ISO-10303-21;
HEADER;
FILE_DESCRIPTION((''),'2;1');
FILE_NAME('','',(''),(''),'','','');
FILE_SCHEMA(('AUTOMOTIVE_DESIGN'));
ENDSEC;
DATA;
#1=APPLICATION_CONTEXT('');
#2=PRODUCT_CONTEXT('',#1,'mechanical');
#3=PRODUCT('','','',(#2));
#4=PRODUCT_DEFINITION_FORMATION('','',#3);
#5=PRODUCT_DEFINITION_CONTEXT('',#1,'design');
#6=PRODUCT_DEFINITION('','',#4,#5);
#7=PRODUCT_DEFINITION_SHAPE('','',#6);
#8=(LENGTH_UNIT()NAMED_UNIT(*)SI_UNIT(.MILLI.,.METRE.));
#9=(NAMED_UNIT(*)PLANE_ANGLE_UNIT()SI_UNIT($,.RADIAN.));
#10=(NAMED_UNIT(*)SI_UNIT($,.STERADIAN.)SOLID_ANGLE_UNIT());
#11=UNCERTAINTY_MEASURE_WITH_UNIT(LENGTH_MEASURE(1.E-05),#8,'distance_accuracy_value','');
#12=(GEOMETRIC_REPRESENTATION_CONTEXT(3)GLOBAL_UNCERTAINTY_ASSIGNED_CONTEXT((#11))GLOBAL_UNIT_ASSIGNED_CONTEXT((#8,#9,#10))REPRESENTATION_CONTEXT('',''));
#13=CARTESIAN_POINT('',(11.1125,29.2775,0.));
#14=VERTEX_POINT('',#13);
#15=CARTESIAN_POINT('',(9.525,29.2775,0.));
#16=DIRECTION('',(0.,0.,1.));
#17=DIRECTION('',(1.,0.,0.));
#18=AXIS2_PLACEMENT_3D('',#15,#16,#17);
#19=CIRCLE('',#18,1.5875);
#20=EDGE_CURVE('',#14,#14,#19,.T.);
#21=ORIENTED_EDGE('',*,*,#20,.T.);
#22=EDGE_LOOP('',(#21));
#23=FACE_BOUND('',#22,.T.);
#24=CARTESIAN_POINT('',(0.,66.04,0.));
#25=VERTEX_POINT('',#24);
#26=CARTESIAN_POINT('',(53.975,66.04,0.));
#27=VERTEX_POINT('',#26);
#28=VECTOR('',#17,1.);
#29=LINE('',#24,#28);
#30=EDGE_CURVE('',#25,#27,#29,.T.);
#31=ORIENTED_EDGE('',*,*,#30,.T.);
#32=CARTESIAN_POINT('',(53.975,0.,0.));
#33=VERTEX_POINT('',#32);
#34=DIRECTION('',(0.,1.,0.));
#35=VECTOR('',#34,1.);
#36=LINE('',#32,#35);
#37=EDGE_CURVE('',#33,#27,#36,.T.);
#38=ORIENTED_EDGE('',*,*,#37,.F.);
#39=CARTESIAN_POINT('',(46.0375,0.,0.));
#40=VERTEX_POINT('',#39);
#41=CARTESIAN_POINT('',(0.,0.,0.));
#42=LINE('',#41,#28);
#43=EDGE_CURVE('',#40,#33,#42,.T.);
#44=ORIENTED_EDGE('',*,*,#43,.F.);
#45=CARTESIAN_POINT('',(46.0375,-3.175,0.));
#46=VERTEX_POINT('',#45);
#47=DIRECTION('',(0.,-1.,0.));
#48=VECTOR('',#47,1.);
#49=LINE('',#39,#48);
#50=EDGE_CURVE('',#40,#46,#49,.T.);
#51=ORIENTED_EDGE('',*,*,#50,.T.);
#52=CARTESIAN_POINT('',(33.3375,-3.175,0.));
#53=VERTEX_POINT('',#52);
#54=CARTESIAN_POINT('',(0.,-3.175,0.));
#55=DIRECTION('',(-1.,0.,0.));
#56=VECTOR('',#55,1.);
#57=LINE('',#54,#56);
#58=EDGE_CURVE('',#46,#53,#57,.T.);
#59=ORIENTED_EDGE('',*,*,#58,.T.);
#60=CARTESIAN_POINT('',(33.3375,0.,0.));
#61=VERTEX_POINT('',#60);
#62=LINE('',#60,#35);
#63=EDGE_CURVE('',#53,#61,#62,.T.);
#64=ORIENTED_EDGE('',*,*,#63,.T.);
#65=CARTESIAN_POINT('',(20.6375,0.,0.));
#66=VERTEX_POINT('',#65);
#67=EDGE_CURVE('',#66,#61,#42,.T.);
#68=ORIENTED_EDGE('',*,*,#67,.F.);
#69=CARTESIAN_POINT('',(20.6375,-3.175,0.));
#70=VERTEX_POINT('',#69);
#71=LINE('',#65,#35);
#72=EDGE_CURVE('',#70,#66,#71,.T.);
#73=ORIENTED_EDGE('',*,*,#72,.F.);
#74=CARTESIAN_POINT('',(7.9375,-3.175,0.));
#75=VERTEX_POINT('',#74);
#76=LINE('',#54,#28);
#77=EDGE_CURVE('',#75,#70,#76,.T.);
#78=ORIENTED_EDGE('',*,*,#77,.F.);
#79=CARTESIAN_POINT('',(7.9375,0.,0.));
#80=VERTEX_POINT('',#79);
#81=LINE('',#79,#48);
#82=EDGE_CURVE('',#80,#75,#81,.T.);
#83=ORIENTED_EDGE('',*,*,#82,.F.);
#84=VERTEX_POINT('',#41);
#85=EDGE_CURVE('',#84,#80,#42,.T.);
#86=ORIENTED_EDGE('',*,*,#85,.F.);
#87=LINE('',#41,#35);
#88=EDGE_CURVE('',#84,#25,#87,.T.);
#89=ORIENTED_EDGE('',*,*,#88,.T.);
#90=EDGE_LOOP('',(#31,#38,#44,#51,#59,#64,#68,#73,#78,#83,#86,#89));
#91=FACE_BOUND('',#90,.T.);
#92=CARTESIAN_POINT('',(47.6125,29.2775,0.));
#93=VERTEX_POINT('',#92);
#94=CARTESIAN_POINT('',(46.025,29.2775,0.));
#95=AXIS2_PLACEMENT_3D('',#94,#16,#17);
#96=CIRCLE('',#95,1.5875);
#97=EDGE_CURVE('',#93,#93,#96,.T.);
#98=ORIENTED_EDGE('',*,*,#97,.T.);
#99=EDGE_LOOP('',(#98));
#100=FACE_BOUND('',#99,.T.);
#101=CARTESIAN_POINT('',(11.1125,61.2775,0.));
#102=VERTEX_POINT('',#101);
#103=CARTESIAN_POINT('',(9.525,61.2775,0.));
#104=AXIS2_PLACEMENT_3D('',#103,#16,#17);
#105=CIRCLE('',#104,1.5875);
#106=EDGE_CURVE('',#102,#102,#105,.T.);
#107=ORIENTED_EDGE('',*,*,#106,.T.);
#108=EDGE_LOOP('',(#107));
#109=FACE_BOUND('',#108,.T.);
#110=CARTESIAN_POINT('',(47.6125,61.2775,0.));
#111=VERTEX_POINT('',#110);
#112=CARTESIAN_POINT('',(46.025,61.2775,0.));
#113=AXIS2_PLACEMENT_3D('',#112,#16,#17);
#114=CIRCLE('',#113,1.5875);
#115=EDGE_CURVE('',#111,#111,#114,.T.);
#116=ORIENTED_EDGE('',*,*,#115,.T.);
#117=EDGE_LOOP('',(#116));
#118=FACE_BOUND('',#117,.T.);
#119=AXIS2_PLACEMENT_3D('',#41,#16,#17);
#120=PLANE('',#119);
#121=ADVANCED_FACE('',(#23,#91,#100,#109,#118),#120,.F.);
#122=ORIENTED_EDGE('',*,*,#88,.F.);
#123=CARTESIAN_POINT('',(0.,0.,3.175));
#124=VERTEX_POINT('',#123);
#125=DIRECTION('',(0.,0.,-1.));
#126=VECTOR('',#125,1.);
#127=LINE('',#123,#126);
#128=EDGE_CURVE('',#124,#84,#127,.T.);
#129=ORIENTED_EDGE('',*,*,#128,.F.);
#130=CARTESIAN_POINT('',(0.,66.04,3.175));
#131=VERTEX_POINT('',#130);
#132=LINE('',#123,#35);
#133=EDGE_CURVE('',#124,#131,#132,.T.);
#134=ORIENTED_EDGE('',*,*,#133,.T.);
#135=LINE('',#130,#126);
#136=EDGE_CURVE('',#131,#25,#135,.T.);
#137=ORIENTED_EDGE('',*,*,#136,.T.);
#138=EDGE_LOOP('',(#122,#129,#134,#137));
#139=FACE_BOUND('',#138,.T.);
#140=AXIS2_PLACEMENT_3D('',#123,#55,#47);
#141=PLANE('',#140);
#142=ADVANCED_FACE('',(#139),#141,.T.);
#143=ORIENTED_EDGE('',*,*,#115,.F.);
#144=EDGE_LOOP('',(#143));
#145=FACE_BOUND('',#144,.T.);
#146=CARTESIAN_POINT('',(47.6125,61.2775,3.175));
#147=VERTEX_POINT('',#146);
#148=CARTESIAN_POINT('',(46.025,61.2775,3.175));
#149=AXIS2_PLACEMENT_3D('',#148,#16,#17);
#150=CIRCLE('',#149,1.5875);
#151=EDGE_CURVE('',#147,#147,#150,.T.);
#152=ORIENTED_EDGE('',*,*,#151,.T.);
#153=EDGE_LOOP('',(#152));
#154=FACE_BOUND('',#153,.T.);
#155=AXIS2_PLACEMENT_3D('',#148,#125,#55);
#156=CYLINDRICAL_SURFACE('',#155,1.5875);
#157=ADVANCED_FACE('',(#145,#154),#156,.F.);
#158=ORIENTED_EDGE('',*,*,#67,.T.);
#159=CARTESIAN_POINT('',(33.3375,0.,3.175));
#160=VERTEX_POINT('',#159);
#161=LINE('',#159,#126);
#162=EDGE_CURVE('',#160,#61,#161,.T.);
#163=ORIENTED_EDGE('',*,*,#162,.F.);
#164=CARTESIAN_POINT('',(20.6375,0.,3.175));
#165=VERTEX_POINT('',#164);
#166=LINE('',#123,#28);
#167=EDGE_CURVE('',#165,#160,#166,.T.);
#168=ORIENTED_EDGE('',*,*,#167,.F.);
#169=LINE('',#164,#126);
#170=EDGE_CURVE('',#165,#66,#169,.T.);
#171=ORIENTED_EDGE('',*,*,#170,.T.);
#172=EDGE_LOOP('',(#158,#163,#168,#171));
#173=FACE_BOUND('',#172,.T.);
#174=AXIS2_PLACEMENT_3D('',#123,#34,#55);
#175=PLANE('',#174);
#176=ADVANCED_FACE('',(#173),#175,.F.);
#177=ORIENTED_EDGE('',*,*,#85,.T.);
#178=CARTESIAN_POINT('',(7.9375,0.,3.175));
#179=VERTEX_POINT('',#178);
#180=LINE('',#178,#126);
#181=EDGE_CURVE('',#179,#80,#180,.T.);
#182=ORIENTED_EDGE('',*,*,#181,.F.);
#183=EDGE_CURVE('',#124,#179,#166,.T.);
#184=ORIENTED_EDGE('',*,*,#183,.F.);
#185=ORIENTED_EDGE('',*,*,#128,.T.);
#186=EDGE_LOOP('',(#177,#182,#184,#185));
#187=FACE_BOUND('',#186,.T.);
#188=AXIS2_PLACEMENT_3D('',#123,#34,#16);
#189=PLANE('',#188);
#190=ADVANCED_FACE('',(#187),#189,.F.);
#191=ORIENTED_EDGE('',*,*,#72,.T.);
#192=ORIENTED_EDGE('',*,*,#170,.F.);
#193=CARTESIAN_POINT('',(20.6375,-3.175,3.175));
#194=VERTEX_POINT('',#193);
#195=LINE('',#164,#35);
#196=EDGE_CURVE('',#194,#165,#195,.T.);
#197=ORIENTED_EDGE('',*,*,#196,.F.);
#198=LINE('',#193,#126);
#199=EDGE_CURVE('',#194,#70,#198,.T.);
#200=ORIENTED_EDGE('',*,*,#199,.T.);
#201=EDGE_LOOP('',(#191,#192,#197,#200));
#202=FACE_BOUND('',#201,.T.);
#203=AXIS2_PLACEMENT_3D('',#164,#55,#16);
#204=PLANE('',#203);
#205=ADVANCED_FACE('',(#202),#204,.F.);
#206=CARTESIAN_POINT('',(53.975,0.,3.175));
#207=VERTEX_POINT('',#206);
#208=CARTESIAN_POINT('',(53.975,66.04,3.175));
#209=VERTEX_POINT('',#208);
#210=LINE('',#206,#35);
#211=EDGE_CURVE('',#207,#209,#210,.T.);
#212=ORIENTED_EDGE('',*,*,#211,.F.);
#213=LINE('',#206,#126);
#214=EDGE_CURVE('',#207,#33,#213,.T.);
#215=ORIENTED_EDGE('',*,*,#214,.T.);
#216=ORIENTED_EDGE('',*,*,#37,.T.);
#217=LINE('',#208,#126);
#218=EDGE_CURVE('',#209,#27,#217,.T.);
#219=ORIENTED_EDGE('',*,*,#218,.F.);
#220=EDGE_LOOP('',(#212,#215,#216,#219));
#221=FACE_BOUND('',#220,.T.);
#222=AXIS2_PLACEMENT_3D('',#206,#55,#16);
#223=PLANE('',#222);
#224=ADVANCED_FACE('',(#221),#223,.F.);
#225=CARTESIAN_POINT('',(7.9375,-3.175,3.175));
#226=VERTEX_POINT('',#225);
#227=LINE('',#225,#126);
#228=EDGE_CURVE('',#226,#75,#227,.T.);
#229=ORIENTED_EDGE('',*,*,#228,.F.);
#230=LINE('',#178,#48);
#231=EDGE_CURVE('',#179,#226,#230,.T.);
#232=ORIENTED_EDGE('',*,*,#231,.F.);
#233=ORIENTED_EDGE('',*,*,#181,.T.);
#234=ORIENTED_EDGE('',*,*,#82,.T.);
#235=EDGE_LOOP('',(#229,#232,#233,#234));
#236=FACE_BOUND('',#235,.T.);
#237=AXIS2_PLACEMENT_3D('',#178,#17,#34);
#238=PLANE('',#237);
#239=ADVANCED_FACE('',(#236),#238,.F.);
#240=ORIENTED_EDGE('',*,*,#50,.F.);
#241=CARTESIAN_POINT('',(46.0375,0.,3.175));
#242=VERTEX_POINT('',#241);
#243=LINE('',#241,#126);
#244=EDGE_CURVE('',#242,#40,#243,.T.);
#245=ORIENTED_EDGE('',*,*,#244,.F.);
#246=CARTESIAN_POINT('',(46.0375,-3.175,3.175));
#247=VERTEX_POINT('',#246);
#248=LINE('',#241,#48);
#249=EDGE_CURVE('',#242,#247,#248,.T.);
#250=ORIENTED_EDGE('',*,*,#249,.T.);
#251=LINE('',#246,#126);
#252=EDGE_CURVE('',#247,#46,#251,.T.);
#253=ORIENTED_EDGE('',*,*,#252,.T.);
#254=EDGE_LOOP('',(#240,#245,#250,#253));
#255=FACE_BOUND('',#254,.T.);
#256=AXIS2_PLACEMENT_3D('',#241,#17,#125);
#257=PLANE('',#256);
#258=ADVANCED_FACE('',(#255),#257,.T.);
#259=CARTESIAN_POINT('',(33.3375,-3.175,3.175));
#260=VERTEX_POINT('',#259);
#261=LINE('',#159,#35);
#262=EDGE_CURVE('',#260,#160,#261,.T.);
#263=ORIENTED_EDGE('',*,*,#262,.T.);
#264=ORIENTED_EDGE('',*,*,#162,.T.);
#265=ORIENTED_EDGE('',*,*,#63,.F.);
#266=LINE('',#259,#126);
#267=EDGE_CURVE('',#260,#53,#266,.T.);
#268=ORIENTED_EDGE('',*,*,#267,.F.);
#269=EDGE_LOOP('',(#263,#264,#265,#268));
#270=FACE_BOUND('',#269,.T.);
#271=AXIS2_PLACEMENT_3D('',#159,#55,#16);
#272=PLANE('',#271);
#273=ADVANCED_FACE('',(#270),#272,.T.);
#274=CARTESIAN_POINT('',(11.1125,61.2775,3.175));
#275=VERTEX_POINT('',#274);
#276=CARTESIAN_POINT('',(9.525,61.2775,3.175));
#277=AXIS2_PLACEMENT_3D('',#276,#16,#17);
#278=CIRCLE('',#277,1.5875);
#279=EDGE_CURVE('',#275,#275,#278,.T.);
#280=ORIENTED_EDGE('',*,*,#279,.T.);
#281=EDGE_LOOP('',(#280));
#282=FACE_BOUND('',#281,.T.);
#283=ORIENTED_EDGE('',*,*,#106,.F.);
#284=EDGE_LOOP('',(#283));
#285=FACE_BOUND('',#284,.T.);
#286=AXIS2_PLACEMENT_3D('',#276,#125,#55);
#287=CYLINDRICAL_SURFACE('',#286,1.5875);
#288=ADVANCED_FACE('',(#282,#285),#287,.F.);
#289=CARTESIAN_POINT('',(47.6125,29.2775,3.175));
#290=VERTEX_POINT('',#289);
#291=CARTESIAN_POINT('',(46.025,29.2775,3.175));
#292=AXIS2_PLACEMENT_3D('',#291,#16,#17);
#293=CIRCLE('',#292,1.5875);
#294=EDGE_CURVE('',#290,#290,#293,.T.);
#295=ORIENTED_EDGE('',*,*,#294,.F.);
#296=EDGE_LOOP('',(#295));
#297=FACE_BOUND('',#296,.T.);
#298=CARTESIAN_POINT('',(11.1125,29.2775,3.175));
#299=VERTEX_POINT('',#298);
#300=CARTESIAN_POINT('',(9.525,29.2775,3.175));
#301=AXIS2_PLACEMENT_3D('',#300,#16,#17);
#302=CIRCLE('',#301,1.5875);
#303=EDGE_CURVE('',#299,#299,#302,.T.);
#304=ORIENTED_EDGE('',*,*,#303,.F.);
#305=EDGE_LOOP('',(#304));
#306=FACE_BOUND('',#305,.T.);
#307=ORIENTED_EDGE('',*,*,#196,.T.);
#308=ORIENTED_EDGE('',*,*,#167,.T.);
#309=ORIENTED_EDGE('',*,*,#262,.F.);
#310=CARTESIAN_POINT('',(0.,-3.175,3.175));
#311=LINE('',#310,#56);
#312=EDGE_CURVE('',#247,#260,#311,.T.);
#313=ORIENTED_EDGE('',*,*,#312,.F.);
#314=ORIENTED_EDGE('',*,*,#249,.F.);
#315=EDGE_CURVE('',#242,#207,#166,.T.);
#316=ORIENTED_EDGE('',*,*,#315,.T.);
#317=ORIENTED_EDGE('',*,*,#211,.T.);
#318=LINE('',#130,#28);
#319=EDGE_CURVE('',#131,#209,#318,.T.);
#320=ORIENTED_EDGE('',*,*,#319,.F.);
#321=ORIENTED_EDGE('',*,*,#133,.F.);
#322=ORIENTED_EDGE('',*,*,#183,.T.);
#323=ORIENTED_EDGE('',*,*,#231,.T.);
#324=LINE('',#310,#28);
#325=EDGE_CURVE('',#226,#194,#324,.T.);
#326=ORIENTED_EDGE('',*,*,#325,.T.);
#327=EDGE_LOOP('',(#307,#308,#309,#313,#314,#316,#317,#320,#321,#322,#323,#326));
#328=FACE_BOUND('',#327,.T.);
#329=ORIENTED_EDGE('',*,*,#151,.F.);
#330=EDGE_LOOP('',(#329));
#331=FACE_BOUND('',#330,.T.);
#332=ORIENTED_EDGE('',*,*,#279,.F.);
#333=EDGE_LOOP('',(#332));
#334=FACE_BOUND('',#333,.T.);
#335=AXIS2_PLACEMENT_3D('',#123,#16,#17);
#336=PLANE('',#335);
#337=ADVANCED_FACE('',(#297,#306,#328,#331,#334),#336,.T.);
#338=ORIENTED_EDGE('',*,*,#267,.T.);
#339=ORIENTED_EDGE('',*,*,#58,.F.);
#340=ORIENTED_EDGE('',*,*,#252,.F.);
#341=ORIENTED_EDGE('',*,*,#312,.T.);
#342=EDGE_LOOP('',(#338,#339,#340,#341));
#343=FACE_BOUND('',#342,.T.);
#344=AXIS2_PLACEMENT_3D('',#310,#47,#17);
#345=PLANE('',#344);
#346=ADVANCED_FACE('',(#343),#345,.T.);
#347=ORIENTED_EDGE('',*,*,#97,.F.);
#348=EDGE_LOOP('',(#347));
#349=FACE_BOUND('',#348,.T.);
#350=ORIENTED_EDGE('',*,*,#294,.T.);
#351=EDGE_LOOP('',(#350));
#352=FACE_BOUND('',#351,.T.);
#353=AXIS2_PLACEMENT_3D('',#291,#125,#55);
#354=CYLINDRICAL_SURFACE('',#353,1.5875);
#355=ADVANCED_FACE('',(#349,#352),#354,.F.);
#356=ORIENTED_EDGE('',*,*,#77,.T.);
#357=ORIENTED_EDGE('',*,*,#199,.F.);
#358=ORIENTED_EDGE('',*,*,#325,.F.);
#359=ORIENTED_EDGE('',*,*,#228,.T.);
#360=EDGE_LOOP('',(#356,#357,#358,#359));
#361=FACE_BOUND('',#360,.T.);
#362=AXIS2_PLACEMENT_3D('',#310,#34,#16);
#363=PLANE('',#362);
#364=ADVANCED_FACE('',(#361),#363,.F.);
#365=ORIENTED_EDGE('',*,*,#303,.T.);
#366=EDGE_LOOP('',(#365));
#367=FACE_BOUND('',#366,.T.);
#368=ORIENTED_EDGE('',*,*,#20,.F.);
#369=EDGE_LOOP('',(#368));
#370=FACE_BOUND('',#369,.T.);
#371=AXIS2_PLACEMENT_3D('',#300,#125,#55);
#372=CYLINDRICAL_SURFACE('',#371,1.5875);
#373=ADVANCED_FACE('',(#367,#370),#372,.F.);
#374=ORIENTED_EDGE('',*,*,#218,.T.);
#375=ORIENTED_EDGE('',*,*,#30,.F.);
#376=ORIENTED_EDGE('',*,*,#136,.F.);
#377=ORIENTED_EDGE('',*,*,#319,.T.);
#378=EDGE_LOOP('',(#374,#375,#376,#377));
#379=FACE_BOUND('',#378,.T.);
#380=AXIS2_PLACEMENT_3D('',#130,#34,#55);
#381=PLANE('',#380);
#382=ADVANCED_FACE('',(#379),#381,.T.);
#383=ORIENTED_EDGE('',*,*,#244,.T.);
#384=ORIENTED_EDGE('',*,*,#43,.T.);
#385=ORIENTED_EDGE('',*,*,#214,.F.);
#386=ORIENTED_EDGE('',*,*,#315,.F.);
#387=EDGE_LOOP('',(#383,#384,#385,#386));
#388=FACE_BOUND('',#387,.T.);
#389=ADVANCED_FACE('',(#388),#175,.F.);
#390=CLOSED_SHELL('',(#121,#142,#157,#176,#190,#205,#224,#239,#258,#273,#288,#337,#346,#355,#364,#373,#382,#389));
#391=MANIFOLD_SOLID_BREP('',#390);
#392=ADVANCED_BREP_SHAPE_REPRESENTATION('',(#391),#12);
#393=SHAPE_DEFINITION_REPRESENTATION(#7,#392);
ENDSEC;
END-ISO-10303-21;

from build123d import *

# Parameters (mm, degrees)
SKETCH1_R           = 1.5875
BOSS_EXTRUDE1_DEPTH = 3.175


with BuildPart() as part:
    # Sketch1 → Boss-Extrude1 (new body)
    with BuildSketch(Plane.XY):
        Polygon((53.975, 66.04), (9.525, 66.04), (0, 66.04), (0, 0), (7.9375, 0), (7.9375, -3.175), (20.6375, -3.175), (20.6375, 0), (33.3375, 0), (33.3375, -3.175), (46.0375, -3.175), (46.0375, 0), (53.975, 0), align=None)
        with BuildLine():
            ThreePointArc((9.525, 27.69), (7.9375, 29.2775), (9.525, 30.865))
            ThreePointArc((9.525, 30.865), (10.647532015, 30.400032015), (11.1125, 29.2775))
            ThreePointArc((11.1125, 29.2775), (10.647532015, 28.154967985), (9.525, 27.69))
        make_face(mode=Mode.SUBTRACT)
        with Locations((46.025, 29.2775)):
            Circle(SKETCH1_R, mode=Mode.SUBTRACT)
        with BuildLine():
            ThreePointArc((9.525, 59.69), (7.9375, 61.2775), (9.525, 62.865))
            ThreePointArc((9.525, 62.865), (10.647532015, 62.400032015), (11.1125, 61.2775))
            ThreePointArc((11.1125, 61.2775), (10.647532015, 60.154967985), (9.525, 59.69))
        make_face(mode=Mode.SUBTRACT)
        with Locations((46.025, 61.2775)):
            Circle(SKETCH1_R, mode=Mode.SUBTRACT)
    extrude(amount=BOSS_EXTRUDE1_DEPTH)


solid = part.part
